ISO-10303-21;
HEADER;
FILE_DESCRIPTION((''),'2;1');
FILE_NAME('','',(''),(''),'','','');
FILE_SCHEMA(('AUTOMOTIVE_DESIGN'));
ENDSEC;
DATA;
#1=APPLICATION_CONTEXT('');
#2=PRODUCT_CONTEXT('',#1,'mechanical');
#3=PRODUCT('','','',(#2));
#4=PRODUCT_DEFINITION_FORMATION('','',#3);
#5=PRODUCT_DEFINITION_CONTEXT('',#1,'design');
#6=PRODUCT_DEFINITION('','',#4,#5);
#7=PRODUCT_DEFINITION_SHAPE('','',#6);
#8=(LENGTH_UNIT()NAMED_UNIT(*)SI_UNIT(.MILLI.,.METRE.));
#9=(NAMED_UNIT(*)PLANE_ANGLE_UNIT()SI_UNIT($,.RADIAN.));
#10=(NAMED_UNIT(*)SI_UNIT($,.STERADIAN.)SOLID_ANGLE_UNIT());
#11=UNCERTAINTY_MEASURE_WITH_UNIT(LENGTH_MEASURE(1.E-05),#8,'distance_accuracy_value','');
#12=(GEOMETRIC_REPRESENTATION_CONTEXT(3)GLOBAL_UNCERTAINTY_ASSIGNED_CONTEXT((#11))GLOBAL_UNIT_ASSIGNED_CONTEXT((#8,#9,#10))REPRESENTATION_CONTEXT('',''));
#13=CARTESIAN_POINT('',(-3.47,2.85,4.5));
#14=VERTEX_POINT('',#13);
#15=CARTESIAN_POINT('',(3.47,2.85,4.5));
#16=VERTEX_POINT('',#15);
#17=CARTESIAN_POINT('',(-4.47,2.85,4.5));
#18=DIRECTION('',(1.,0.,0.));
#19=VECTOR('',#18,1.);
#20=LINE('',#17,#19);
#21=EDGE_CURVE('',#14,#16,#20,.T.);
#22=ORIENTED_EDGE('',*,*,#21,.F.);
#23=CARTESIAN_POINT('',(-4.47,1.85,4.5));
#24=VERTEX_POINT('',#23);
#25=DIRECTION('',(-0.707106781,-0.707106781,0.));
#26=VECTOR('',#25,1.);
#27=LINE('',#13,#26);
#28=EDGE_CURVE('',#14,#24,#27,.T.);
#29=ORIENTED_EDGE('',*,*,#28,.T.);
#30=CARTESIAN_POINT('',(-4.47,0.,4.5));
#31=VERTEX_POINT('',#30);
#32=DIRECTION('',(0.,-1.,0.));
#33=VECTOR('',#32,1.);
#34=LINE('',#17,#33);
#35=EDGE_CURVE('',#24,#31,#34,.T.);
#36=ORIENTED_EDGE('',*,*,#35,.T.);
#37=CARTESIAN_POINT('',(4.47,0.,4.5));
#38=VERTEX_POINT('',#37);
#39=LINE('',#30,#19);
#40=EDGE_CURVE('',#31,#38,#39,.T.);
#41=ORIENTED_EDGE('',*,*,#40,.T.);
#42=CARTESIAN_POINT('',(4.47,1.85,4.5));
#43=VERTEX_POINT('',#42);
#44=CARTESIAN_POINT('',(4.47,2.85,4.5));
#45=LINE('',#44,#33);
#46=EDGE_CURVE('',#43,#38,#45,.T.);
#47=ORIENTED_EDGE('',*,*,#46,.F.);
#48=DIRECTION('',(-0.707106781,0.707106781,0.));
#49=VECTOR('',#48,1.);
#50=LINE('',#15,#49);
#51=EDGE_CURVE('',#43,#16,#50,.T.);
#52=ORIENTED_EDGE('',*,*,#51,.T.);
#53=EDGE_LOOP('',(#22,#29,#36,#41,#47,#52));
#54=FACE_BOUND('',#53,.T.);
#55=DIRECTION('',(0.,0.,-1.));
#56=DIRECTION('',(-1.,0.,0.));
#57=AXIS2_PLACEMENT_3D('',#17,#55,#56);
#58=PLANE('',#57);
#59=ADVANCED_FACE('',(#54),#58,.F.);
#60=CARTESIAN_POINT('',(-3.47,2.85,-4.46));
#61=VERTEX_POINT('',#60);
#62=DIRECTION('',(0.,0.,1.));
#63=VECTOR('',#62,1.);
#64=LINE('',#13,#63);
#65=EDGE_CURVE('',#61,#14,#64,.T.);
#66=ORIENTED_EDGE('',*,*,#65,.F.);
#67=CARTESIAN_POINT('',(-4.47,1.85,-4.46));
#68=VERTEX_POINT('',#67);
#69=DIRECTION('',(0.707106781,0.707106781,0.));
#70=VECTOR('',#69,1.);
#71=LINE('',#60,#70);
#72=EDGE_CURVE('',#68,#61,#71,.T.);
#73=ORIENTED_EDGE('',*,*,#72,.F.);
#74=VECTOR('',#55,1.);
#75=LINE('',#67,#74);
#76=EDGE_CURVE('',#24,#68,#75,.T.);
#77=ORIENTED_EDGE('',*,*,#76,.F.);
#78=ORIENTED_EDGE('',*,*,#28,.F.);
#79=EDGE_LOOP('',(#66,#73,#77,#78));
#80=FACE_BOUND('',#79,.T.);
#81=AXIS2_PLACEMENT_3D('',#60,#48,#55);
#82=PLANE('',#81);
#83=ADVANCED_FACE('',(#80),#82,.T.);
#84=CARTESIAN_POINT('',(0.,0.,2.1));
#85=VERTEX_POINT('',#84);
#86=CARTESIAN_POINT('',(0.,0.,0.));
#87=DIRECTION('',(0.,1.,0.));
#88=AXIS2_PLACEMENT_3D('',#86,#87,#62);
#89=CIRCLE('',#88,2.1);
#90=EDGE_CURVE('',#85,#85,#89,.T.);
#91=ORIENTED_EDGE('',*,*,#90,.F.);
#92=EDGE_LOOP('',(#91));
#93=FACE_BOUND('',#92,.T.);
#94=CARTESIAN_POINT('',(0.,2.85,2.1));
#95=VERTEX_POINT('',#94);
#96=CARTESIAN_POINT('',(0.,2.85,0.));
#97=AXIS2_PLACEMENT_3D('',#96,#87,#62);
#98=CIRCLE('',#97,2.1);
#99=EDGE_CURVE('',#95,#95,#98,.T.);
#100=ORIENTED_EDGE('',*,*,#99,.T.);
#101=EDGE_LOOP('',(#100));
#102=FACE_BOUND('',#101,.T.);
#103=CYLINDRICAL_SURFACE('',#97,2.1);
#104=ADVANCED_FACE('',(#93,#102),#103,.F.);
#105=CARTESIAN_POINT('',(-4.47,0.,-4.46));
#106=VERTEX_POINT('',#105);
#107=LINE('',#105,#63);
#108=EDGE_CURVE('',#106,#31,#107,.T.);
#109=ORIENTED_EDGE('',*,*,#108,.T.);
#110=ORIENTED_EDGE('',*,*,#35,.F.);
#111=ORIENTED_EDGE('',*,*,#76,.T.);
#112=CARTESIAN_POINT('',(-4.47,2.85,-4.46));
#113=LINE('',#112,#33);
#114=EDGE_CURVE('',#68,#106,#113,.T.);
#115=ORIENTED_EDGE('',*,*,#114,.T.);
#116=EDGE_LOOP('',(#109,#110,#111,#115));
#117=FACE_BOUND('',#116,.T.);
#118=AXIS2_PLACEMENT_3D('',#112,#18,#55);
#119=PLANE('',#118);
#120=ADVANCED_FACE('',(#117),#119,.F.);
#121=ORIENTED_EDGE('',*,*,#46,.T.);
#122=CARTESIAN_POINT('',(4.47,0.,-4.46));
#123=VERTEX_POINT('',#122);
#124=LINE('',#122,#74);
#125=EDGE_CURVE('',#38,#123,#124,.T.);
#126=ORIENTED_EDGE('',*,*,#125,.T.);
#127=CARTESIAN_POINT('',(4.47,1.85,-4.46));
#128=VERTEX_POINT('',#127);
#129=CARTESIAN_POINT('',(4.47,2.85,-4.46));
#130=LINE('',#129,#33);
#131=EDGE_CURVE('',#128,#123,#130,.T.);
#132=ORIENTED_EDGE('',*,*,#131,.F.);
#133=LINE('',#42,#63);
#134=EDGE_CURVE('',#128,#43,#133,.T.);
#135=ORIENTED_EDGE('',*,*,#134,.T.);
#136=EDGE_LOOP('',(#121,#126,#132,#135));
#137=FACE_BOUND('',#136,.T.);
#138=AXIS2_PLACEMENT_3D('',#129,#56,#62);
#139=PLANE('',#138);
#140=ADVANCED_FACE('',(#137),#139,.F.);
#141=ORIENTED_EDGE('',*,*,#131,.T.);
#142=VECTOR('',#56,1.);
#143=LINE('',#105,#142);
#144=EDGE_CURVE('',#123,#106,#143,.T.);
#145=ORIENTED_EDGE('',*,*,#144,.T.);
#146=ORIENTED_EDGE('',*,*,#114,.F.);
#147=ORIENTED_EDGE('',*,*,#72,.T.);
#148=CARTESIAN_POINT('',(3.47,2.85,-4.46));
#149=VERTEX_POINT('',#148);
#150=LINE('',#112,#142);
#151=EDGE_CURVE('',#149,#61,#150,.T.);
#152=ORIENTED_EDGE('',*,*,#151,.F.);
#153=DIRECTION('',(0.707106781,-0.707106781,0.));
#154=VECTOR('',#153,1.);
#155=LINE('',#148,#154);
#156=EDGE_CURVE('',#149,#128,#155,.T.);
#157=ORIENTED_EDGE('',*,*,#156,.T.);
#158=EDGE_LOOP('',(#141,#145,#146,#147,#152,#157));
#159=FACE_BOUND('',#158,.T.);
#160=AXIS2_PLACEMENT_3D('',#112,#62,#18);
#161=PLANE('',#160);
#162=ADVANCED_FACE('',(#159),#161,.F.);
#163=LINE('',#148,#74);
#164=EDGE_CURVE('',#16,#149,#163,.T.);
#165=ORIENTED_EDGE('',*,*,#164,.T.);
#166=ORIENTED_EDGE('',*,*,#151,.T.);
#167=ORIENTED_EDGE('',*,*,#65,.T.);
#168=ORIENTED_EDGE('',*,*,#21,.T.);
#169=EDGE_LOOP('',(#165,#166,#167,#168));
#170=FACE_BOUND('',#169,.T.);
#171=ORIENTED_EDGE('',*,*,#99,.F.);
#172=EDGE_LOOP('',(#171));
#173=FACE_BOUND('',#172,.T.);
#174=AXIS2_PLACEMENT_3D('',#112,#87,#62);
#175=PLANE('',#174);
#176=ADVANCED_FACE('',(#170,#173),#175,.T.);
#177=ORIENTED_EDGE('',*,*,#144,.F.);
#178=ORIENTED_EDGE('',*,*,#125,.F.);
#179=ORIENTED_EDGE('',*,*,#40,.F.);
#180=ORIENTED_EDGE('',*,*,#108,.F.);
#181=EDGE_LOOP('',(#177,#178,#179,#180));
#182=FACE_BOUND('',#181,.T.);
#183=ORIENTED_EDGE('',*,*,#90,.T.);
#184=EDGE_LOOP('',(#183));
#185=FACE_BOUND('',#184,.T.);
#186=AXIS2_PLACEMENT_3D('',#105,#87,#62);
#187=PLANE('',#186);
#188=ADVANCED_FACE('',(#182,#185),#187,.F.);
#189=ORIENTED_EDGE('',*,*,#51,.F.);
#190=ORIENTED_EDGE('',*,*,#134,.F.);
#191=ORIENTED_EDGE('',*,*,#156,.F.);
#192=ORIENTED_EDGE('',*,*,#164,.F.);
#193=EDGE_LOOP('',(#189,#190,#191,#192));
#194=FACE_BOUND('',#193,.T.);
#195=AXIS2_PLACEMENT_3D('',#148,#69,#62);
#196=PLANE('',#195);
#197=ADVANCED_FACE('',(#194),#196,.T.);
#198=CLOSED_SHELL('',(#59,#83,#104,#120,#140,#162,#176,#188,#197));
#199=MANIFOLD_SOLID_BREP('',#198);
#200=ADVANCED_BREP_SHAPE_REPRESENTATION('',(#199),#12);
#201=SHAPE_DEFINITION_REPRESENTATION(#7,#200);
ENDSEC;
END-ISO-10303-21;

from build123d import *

# Parameters (mm, degrees)
SKETCH1_W                 = 8.94
SKETCH1_H                 = 8.96
EXTRUDE1_DEPTH            = 2.85
M5X0_8_TAPPED_HOLE1_D     = 4.2
M5X0_8_TAPPED_HOLE1_DEPTH = 12.4
M5X0_8_TAPPED_HOLE1_TIP   = 1.2618073
CHAMFER1_SIZE             = 1


with BuildPart() as part:
    # Sketch1 → Extrude1 (new body)
    with BuildSketch(Plane(origin=(0, 0, 0), x_dir=(1, 0, 0), z_dir=(0, 1, 0))):
        with Locations((0, -0.02)):
            Rectangle(SKETCH1_W, SKETCH1_H)
    extrude(amount=EXTRUDE1_DEPTH)

    # M5x0.8 Tapped Hole1
    with Locations(Plane(origin=(0, 2.85, 0), x_dir=(1, 0, 0), z_dir=(0, 1, 0))):
        with Locations((0, 0)):
            Hole(M5X0_8_TAPPED_HOLE1_D / 2, depth=M5X0_8_TAPPED_HOLE1_DEPTH)
            with Locations((0, 0, -(M5X0_8_TAPPED_HOLE1_DEPTH + M5X0_8_TAPPED_HOLE1_TIP / 2))):  # 118° drill point
                Cone(0, M5X0_8_TAPPED_HOLE1_D / 2, M5X0_8_TAPPED_HOLE1_TIP, mode=Mode.SUBTRACT)

    # Chamfer1
    chamfer1_edges = [part.edges().sort_by_distance(p)[0] for p in [
        (4.47, 2.85, 0.02),
        (-4.47, 2.85, 0.02),
    ]]
    chamfer(chamfer1_edges, length=CHAMFER1_SIZE)


solid = part.part
